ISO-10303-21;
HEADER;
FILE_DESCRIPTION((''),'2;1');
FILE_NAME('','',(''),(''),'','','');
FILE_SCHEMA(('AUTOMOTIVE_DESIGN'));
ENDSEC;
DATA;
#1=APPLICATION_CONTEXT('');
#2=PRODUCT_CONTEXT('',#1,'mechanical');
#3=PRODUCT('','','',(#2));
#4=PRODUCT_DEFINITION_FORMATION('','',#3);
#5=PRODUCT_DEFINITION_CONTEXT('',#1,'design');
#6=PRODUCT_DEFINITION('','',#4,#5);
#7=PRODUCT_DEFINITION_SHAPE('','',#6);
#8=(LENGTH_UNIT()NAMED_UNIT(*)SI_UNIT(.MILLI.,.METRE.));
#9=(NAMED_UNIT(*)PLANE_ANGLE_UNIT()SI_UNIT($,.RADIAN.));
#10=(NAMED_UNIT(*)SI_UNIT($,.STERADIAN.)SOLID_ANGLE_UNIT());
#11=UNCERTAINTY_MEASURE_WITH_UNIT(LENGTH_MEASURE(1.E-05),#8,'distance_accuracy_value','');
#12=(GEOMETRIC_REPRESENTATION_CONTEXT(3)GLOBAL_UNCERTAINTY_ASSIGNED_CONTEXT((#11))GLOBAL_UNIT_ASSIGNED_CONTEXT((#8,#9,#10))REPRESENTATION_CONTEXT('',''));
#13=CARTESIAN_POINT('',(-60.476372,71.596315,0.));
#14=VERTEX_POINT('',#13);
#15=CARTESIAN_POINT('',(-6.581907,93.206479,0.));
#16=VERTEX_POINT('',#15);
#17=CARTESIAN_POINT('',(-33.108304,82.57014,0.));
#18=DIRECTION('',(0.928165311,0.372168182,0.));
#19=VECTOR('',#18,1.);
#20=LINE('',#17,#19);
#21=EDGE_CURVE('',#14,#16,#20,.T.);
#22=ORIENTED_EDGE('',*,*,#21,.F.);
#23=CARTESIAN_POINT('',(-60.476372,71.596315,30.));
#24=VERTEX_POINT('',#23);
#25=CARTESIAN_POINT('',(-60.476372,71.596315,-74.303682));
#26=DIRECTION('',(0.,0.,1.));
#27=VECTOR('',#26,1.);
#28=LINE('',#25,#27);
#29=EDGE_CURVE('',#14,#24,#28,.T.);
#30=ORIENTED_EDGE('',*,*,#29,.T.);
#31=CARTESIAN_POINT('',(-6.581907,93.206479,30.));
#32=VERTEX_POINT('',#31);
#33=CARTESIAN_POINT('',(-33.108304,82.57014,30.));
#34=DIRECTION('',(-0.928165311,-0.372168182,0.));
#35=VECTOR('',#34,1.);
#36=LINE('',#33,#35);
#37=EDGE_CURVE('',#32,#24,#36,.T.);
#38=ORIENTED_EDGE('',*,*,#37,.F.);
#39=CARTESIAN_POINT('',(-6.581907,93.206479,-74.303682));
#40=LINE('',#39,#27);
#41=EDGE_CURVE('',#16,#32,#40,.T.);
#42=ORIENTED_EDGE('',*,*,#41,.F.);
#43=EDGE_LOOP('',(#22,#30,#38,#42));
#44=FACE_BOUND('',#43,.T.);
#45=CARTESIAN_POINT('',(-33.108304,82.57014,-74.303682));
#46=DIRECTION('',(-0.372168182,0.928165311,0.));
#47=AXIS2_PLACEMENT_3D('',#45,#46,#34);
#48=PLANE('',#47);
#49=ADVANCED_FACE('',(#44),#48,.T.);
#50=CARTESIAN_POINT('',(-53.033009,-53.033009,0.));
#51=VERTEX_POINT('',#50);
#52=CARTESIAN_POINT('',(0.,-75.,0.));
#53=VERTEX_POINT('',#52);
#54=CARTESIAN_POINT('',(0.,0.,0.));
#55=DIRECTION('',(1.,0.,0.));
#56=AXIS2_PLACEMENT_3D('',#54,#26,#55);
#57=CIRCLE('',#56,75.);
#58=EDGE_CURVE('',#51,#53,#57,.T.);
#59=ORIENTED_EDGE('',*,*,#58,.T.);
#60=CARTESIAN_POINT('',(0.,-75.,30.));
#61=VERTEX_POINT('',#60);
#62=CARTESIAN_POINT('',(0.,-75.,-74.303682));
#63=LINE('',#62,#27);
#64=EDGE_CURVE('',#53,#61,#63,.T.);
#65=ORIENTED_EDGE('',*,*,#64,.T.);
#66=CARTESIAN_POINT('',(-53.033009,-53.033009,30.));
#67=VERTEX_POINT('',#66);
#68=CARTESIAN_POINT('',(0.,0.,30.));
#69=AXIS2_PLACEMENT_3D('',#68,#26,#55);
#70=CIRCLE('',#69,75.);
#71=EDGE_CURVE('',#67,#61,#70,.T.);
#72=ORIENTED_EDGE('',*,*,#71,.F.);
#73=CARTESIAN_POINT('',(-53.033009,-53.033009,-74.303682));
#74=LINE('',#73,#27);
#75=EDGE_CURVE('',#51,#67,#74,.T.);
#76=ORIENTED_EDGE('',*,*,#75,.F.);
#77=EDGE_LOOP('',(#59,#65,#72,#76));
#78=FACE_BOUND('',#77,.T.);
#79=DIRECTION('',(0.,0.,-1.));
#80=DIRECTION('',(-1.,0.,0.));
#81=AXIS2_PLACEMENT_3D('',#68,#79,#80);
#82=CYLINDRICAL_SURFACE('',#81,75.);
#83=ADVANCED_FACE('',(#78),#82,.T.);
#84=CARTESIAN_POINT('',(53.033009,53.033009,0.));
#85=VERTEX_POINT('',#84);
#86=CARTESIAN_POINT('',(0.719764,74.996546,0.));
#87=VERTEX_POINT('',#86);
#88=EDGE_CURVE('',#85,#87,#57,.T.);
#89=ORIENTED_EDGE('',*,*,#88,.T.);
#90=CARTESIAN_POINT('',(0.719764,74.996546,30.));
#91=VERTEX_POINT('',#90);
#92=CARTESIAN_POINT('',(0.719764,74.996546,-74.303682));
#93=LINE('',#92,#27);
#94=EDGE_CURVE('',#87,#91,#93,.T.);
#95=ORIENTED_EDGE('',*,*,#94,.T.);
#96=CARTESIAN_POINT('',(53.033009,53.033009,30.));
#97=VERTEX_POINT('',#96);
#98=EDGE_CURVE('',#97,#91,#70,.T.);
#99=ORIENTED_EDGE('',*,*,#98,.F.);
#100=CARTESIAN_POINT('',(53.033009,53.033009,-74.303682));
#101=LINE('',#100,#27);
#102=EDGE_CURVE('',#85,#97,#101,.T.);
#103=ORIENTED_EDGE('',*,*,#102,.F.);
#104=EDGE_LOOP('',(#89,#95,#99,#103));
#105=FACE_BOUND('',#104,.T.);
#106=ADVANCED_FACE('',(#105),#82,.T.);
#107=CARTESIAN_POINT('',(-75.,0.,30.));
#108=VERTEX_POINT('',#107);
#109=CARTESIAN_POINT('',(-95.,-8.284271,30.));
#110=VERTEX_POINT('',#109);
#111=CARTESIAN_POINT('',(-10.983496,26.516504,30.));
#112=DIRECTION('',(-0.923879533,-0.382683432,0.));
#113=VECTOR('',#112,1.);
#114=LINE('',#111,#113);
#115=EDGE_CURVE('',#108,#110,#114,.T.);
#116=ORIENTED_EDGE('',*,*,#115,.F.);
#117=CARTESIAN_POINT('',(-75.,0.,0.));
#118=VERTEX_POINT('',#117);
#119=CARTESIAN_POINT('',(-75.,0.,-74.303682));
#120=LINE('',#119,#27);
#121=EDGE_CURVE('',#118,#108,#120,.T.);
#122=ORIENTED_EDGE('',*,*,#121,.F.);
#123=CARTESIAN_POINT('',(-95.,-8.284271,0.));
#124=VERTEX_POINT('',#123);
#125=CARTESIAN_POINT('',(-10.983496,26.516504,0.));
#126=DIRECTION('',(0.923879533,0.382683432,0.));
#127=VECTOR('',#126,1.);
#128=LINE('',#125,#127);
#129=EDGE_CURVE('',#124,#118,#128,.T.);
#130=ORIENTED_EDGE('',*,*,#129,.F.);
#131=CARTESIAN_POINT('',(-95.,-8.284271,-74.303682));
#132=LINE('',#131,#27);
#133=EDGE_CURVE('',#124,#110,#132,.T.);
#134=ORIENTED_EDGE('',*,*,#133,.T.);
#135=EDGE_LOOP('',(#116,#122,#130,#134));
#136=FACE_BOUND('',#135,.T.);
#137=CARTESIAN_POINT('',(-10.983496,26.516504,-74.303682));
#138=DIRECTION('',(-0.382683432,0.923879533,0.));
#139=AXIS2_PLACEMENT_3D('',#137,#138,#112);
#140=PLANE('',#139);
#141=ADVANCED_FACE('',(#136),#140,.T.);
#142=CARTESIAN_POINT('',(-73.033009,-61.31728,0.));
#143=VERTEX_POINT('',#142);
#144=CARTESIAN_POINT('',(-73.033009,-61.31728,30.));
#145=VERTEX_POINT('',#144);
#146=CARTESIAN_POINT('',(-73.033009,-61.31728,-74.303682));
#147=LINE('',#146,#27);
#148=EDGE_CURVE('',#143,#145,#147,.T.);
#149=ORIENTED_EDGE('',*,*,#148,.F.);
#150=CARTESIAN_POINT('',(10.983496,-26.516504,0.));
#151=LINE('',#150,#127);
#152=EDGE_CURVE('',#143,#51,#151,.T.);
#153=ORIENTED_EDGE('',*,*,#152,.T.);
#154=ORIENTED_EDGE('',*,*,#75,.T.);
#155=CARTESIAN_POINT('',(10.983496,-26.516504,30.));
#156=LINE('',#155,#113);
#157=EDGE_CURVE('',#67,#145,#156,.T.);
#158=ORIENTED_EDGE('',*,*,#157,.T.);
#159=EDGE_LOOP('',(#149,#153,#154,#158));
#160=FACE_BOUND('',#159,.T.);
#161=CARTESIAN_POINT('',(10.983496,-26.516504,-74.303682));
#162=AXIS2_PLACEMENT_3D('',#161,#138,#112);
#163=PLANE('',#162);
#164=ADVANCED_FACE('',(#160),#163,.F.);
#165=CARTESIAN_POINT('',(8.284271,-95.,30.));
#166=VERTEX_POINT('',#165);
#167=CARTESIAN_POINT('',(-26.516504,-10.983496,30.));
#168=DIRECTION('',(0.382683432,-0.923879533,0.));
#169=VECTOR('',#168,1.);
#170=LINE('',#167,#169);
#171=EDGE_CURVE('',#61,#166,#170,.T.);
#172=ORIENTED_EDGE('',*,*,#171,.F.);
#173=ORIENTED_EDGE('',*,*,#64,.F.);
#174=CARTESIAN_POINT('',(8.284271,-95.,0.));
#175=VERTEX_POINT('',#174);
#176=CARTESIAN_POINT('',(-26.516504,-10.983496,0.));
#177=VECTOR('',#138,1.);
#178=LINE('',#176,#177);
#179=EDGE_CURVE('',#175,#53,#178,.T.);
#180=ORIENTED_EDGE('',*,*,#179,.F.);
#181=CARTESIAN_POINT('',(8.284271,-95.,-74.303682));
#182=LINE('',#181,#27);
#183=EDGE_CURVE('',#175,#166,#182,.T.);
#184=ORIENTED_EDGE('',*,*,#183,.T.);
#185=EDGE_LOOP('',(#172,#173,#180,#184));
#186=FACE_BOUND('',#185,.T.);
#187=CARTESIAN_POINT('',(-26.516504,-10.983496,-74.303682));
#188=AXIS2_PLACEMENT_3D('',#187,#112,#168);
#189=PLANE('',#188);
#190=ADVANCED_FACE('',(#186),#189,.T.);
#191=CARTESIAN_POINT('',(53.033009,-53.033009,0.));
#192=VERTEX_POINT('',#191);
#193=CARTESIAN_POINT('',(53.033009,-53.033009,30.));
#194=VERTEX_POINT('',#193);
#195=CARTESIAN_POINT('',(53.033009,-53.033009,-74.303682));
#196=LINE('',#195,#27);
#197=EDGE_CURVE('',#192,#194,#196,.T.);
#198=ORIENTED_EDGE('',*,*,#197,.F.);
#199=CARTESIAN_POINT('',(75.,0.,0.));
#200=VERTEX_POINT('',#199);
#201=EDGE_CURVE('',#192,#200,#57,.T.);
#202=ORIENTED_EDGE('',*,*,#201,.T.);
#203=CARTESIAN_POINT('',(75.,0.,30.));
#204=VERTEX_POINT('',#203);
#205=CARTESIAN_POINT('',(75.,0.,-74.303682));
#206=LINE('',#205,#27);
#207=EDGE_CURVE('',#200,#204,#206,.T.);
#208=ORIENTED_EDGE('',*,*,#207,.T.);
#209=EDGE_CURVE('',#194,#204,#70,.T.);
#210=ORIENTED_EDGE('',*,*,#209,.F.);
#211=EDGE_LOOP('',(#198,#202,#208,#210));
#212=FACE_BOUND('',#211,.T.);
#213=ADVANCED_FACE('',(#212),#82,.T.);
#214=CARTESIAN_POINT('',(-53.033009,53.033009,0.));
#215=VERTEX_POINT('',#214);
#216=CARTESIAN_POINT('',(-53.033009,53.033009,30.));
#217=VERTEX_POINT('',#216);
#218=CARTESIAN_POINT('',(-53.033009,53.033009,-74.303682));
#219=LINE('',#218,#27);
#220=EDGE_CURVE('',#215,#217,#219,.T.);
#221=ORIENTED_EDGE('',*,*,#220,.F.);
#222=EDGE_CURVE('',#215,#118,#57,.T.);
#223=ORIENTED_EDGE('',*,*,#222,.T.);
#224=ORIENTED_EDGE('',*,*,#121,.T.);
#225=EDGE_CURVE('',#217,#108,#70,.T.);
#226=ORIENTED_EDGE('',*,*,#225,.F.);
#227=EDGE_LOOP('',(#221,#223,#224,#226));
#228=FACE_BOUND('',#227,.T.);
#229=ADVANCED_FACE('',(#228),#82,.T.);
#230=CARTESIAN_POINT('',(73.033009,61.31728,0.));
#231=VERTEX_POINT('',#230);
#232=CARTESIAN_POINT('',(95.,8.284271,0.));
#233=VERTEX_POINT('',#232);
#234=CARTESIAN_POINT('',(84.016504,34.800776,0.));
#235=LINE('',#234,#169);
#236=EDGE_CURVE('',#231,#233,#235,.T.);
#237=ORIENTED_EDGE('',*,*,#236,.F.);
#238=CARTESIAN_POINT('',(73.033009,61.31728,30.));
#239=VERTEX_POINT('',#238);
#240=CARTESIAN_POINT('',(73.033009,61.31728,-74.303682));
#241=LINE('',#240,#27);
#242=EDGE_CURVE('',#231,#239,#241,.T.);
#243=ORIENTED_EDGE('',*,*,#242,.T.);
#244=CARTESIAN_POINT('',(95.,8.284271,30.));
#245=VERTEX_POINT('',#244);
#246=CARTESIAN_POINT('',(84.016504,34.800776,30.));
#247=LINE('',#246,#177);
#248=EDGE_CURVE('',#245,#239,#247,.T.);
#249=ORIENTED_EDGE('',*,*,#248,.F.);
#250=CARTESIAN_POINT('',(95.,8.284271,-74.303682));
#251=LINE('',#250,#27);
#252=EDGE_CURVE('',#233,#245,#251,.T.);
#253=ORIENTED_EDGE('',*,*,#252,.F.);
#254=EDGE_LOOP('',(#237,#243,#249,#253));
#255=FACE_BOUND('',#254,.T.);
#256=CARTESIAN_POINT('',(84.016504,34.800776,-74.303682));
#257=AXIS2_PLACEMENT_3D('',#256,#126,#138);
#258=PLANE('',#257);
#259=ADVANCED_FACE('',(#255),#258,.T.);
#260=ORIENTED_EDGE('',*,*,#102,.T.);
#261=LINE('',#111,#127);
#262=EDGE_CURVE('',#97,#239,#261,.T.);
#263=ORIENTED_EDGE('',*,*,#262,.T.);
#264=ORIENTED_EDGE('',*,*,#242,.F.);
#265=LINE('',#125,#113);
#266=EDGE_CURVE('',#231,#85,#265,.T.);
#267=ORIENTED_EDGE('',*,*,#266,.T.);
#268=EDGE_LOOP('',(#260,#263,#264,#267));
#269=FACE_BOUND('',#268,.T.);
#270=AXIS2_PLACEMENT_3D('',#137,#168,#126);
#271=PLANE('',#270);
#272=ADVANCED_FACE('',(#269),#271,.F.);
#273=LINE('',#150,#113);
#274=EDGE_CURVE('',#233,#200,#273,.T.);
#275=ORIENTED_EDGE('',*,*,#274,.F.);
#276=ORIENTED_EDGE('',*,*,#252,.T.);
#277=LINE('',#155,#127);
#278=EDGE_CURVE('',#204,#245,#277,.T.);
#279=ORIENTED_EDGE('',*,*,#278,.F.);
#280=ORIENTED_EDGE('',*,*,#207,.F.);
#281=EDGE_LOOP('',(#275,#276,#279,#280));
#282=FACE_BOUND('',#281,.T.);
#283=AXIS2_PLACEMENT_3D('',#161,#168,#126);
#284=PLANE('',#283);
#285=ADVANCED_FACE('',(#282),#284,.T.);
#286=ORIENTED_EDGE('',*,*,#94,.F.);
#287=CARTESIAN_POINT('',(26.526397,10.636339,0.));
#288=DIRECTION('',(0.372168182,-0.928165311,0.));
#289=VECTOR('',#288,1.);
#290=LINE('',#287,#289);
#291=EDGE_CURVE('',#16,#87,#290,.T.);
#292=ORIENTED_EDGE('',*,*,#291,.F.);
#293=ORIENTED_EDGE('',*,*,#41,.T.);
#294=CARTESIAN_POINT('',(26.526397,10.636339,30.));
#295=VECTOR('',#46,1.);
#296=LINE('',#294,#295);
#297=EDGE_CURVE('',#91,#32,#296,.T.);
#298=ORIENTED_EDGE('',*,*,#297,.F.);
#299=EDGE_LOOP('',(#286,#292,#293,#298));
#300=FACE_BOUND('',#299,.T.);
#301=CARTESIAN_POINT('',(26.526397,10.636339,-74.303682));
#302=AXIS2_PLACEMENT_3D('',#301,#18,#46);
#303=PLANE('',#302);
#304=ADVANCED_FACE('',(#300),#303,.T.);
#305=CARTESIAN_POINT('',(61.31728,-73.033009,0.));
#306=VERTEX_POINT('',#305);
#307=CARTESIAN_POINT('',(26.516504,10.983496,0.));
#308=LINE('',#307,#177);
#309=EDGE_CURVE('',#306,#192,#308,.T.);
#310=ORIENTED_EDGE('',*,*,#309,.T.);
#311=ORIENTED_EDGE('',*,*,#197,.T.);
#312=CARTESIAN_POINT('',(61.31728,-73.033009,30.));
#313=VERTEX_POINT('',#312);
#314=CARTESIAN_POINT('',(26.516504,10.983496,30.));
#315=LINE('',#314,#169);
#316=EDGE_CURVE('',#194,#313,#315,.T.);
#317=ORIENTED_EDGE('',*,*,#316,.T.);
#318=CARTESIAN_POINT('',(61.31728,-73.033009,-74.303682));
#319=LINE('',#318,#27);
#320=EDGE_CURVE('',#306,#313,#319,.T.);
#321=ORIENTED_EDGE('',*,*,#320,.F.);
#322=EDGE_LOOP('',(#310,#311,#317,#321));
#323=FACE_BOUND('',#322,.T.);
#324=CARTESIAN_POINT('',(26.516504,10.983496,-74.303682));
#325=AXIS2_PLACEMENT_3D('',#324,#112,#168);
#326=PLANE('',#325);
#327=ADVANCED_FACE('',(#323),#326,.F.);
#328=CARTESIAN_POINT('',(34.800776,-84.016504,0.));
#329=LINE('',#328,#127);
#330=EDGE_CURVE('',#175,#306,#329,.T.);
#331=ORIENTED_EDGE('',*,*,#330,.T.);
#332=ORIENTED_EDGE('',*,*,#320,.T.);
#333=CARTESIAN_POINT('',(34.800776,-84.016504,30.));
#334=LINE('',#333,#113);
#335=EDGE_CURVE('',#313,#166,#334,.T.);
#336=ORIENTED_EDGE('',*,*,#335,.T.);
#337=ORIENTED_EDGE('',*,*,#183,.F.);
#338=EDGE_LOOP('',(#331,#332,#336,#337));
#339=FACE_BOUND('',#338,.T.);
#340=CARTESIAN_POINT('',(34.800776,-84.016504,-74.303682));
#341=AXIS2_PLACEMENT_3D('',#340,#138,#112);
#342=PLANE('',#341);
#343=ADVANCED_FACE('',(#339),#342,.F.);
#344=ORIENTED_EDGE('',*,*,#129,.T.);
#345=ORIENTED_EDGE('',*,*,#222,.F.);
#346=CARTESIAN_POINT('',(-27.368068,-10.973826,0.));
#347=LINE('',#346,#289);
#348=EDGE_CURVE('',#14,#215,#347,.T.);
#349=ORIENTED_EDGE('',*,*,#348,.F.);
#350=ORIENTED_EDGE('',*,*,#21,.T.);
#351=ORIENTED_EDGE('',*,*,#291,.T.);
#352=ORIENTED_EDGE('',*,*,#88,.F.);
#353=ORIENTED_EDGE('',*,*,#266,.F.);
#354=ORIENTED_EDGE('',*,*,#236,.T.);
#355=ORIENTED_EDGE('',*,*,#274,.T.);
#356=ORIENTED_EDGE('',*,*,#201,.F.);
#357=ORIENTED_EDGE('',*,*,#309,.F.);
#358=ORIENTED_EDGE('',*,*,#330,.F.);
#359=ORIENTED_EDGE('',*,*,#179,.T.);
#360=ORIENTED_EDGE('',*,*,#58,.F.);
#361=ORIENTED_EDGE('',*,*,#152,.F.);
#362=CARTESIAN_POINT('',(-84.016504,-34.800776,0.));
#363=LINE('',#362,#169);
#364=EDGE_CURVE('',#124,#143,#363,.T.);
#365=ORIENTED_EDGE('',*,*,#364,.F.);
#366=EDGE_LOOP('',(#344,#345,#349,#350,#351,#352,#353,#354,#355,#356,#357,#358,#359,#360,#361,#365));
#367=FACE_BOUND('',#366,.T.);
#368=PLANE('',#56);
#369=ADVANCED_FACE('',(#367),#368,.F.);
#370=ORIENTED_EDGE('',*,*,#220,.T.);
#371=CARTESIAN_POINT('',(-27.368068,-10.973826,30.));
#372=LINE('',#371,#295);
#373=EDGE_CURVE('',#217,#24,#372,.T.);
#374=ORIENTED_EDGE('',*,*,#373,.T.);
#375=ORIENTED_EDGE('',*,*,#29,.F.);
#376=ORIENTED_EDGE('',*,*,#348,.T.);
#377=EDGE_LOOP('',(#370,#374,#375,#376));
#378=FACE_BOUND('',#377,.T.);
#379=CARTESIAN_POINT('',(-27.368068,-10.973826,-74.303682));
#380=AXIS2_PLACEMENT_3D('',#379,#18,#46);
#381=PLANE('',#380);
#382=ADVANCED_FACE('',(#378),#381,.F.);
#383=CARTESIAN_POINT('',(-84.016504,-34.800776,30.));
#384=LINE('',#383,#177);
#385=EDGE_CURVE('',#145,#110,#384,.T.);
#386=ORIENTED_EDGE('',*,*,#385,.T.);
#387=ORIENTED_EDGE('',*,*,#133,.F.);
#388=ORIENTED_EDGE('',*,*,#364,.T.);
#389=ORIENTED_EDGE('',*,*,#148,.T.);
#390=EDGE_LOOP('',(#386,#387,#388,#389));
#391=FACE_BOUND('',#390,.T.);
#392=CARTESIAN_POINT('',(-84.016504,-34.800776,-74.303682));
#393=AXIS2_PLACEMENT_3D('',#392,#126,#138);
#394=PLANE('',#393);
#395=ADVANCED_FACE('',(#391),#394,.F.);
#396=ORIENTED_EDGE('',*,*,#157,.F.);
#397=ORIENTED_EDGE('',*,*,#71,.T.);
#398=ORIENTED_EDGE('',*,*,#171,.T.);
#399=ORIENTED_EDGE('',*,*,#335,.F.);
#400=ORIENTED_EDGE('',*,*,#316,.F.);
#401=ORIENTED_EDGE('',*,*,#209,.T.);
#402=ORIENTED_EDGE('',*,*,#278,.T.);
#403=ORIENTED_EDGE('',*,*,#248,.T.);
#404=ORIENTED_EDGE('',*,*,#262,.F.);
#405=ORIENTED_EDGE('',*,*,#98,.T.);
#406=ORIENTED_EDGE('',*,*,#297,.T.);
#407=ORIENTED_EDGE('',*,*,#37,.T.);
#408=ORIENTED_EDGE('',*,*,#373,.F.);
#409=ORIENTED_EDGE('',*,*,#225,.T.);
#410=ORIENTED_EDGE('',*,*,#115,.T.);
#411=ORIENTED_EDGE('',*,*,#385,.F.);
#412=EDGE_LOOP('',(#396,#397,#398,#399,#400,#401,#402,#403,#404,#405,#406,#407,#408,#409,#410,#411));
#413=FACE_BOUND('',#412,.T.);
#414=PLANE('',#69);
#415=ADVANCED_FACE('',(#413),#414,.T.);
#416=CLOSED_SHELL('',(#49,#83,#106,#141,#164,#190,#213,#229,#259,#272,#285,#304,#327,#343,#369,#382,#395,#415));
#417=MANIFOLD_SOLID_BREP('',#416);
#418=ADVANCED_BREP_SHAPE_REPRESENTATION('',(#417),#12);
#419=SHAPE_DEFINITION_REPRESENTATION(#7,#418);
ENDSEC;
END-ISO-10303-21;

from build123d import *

# Parameters (mm, degrees)
SKETCH1_R           = 75
BOSS_EXTRUDE1_DEPTH = 30
BOSS_EXTRUDE2_DEPTH = 30


with BuildPart() as part:
    # Sketch1 → Boss-Extrude1 (new body)
    with BuildSketch(Plane.XY):
        Circle(SKETCH1_R)
    extrude(amount=BOSS_EXTRUDE1_DEPTH)

    # Sketch4 → Boss-Extrude2 (add)
    with BuildSketch(Plane.XY.offset(30)):
        with BuildLine():
            Line((61.317279836, -73.033008589), (53.033008589, -53.033008589))
            ThreePointArc((53.033008589, -53.033008589), (28.701257427, -69.290964938), (0, -75))
            Line((0, -75), (8.284271247, -95))
            Line((8.284271247, -95), (61.317279836, -73.033008589))
        make_face()
        with BuildLine():
            ThreePointArc((53.033008589, 53.033008589), (69.290964938, 28.701257427), (75, 0))
            Line((75, 0), (95, 8.284271247))
            Line((95, 8.284271247), (73.033008589, 61.317279836))
            Line((73.033008589, 61.317279836), (53.033008589, 53.033008589))
        make_face()
        with BuildLine():
            Line((-73.033008589, -61.317279836), (-53.033008589, -53.033008589))
            ThreePointArc((-53.033008589, -53.033008589), (-69.290964938, -28.701257427), (-75, 0))
            Line((-75, 0), (-95, -8.284271247))
            Line((-95, -8.284271247), (-73.033008589, -61.317279836))
        make_face()
        with BuildLine():
            ThreePointArc((0, 75), (0.359885979, 74.999136542), (0.719763671, 74.996546189))
            Line((0.719763671, 74.996546189), (-6.58190731, 93.206479314))
            Line((-6.58190731, 93.206479314), (-60.476372238, 71.596314803))
            Line((-60.476372238, 71.596314803), (-53.033008589, 53.033008589))
            ThreePointArc((-53.033008589, 53.033008589), (-28.701257427, 69.290964938), (0, 75))
        make_face()
    extrude(amount=-BOSS_EXTRUDE2_DEPTH)


solid = part.part
